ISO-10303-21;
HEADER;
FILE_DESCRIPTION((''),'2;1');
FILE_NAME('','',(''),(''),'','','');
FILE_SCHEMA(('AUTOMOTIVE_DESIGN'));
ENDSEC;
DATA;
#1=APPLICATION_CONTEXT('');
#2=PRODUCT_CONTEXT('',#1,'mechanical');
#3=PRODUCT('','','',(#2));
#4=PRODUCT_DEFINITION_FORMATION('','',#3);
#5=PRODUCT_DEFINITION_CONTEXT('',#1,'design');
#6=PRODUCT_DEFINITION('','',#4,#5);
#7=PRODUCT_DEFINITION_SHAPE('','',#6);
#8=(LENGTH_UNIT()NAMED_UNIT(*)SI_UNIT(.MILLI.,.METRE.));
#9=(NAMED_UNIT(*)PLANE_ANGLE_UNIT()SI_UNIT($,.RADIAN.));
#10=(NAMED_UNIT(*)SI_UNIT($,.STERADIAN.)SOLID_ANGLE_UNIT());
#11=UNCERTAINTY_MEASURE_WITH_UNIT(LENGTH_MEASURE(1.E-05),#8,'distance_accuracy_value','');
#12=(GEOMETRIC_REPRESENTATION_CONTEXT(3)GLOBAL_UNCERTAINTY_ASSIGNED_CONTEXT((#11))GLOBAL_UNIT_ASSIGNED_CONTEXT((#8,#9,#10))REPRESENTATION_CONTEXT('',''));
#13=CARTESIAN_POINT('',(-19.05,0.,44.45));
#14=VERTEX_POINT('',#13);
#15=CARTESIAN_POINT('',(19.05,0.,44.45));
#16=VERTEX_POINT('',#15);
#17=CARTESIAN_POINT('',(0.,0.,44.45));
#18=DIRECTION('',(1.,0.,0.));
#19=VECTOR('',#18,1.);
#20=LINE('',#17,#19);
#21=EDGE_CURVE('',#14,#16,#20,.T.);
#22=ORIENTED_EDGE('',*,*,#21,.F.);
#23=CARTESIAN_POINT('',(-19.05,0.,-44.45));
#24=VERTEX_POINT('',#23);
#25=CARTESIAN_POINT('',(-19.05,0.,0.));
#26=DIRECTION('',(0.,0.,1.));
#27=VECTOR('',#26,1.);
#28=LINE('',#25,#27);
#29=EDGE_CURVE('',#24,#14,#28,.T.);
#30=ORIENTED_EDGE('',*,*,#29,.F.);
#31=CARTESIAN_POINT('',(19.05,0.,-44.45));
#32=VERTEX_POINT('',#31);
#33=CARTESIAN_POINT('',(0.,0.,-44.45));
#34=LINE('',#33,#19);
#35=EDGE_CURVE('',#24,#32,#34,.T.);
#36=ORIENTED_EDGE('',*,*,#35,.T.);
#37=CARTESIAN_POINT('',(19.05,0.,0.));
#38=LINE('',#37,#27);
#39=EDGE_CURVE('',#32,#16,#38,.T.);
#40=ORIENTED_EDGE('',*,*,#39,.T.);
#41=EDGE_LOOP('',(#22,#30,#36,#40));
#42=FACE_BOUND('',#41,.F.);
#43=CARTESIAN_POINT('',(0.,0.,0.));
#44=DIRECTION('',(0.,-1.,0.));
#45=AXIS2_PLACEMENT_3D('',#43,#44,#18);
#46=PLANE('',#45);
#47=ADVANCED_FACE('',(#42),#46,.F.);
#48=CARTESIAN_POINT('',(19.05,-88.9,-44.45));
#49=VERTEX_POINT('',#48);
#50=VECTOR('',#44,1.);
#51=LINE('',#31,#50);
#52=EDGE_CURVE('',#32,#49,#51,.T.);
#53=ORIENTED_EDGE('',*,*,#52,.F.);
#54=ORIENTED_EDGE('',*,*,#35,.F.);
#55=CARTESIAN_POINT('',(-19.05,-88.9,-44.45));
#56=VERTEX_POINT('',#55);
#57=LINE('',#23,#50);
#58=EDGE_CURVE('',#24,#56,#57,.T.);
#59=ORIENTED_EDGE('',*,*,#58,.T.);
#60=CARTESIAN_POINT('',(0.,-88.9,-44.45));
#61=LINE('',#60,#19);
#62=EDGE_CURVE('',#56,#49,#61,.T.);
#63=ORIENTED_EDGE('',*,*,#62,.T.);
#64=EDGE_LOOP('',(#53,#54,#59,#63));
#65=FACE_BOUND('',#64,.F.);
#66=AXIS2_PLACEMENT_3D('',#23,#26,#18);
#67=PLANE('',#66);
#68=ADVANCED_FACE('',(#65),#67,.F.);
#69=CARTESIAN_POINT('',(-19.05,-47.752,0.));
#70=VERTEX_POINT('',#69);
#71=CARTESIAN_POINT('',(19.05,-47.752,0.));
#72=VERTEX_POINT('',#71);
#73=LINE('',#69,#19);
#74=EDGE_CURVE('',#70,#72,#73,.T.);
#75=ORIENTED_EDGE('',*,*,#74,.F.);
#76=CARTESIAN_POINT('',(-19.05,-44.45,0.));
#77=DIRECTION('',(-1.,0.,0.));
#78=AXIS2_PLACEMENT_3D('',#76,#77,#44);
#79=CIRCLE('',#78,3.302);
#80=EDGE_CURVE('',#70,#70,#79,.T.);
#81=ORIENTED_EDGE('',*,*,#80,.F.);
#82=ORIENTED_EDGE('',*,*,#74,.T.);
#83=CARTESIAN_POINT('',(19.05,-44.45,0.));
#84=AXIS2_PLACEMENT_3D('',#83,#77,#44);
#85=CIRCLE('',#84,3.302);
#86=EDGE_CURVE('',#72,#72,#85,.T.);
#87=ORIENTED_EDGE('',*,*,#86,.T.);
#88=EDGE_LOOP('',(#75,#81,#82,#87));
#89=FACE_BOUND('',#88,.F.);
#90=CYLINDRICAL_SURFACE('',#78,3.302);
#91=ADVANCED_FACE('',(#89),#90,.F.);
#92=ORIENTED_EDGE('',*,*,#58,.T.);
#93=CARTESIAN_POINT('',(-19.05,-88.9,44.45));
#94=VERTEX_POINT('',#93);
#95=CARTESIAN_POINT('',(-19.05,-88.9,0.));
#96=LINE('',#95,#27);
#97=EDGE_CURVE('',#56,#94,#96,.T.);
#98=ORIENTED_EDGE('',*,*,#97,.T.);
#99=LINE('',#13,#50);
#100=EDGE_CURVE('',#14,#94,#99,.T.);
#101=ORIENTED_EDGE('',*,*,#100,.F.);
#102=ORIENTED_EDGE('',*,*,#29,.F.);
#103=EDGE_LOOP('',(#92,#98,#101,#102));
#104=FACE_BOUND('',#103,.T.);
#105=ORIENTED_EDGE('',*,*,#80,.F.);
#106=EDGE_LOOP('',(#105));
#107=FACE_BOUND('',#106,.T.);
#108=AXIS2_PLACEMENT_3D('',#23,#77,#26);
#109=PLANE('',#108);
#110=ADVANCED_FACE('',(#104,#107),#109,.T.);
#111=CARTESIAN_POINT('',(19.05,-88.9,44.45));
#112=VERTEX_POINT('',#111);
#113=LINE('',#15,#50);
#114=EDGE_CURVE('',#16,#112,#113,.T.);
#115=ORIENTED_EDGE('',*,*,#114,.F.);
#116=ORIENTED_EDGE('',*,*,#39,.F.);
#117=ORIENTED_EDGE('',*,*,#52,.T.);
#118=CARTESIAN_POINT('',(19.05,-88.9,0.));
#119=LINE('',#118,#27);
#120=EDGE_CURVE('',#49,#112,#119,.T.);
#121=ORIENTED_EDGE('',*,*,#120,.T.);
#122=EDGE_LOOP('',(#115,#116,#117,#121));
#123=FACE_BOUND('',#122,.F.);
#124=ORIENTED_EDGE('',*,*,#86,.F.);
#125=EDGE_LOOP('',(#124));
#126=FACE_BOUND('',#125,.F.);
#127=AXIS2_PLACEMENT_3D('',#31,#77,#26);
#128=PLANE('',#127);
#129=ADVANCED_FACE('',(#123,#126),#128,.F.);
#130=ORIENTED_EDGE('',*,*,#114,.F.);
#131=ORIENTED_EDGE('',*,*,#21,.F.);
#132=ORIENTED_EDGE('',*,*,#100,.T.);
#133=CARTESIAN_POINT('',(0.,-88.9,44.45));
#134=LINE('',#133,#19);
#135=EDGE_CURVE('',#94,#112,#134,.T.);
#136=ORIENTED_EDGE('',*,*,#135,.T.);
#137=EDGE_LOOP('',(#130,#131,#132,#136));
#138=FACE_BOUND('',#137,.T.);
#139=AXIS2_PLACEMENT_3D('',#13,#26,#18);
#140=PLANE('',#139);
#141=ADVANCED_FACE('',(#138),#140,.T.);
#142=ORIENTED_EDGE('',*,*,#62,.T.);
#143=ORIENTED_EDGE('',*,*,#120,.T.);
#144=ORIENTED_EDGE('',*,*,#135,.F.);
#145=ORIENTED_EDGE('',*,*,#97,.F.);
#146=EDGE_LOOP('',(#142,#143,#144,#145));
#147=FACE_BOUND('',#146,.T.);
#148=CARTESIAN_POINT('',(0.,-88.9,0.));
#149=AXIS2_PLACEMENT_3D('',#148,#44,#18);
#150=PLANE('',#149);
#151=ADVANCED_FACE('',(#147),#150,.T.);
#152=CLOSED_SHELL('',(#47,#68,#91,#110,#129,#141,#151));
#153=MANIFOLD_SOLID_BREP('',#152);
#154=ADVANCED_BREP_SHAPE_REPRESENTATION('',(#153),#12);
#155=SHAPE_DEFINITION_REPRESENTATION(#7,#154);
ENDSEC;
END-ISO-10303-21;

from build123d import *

# Parameters (mm, degrees)
F0_W     = 38.1
F0_H     = 88.9
F1_DEPTH = 88.9
F2_R     = 3.302
F3_DEPTH = 38.101


with BuildPart() as f1:
    # F0 (on Front) → F1 (new body)
    with BuildSketch(Plane.XZ):
        Rectangle(F0_W, F0_H)
    extrude(amount=F1_DEPTH)

    # F2 (on face) → F3 (cut, through all)
    with BuildSketch(Plane(origin=(-19.05, 0, 0), x_dir=(0, -1, 0), z_dir=(-1, 0, 0))):
        with Locations((44.45, 0)):
            Circle(F2_R)
    extrude(amount=-F3_DEPTH, mode=Mode.SUBTRACT)


solid = f1.part
